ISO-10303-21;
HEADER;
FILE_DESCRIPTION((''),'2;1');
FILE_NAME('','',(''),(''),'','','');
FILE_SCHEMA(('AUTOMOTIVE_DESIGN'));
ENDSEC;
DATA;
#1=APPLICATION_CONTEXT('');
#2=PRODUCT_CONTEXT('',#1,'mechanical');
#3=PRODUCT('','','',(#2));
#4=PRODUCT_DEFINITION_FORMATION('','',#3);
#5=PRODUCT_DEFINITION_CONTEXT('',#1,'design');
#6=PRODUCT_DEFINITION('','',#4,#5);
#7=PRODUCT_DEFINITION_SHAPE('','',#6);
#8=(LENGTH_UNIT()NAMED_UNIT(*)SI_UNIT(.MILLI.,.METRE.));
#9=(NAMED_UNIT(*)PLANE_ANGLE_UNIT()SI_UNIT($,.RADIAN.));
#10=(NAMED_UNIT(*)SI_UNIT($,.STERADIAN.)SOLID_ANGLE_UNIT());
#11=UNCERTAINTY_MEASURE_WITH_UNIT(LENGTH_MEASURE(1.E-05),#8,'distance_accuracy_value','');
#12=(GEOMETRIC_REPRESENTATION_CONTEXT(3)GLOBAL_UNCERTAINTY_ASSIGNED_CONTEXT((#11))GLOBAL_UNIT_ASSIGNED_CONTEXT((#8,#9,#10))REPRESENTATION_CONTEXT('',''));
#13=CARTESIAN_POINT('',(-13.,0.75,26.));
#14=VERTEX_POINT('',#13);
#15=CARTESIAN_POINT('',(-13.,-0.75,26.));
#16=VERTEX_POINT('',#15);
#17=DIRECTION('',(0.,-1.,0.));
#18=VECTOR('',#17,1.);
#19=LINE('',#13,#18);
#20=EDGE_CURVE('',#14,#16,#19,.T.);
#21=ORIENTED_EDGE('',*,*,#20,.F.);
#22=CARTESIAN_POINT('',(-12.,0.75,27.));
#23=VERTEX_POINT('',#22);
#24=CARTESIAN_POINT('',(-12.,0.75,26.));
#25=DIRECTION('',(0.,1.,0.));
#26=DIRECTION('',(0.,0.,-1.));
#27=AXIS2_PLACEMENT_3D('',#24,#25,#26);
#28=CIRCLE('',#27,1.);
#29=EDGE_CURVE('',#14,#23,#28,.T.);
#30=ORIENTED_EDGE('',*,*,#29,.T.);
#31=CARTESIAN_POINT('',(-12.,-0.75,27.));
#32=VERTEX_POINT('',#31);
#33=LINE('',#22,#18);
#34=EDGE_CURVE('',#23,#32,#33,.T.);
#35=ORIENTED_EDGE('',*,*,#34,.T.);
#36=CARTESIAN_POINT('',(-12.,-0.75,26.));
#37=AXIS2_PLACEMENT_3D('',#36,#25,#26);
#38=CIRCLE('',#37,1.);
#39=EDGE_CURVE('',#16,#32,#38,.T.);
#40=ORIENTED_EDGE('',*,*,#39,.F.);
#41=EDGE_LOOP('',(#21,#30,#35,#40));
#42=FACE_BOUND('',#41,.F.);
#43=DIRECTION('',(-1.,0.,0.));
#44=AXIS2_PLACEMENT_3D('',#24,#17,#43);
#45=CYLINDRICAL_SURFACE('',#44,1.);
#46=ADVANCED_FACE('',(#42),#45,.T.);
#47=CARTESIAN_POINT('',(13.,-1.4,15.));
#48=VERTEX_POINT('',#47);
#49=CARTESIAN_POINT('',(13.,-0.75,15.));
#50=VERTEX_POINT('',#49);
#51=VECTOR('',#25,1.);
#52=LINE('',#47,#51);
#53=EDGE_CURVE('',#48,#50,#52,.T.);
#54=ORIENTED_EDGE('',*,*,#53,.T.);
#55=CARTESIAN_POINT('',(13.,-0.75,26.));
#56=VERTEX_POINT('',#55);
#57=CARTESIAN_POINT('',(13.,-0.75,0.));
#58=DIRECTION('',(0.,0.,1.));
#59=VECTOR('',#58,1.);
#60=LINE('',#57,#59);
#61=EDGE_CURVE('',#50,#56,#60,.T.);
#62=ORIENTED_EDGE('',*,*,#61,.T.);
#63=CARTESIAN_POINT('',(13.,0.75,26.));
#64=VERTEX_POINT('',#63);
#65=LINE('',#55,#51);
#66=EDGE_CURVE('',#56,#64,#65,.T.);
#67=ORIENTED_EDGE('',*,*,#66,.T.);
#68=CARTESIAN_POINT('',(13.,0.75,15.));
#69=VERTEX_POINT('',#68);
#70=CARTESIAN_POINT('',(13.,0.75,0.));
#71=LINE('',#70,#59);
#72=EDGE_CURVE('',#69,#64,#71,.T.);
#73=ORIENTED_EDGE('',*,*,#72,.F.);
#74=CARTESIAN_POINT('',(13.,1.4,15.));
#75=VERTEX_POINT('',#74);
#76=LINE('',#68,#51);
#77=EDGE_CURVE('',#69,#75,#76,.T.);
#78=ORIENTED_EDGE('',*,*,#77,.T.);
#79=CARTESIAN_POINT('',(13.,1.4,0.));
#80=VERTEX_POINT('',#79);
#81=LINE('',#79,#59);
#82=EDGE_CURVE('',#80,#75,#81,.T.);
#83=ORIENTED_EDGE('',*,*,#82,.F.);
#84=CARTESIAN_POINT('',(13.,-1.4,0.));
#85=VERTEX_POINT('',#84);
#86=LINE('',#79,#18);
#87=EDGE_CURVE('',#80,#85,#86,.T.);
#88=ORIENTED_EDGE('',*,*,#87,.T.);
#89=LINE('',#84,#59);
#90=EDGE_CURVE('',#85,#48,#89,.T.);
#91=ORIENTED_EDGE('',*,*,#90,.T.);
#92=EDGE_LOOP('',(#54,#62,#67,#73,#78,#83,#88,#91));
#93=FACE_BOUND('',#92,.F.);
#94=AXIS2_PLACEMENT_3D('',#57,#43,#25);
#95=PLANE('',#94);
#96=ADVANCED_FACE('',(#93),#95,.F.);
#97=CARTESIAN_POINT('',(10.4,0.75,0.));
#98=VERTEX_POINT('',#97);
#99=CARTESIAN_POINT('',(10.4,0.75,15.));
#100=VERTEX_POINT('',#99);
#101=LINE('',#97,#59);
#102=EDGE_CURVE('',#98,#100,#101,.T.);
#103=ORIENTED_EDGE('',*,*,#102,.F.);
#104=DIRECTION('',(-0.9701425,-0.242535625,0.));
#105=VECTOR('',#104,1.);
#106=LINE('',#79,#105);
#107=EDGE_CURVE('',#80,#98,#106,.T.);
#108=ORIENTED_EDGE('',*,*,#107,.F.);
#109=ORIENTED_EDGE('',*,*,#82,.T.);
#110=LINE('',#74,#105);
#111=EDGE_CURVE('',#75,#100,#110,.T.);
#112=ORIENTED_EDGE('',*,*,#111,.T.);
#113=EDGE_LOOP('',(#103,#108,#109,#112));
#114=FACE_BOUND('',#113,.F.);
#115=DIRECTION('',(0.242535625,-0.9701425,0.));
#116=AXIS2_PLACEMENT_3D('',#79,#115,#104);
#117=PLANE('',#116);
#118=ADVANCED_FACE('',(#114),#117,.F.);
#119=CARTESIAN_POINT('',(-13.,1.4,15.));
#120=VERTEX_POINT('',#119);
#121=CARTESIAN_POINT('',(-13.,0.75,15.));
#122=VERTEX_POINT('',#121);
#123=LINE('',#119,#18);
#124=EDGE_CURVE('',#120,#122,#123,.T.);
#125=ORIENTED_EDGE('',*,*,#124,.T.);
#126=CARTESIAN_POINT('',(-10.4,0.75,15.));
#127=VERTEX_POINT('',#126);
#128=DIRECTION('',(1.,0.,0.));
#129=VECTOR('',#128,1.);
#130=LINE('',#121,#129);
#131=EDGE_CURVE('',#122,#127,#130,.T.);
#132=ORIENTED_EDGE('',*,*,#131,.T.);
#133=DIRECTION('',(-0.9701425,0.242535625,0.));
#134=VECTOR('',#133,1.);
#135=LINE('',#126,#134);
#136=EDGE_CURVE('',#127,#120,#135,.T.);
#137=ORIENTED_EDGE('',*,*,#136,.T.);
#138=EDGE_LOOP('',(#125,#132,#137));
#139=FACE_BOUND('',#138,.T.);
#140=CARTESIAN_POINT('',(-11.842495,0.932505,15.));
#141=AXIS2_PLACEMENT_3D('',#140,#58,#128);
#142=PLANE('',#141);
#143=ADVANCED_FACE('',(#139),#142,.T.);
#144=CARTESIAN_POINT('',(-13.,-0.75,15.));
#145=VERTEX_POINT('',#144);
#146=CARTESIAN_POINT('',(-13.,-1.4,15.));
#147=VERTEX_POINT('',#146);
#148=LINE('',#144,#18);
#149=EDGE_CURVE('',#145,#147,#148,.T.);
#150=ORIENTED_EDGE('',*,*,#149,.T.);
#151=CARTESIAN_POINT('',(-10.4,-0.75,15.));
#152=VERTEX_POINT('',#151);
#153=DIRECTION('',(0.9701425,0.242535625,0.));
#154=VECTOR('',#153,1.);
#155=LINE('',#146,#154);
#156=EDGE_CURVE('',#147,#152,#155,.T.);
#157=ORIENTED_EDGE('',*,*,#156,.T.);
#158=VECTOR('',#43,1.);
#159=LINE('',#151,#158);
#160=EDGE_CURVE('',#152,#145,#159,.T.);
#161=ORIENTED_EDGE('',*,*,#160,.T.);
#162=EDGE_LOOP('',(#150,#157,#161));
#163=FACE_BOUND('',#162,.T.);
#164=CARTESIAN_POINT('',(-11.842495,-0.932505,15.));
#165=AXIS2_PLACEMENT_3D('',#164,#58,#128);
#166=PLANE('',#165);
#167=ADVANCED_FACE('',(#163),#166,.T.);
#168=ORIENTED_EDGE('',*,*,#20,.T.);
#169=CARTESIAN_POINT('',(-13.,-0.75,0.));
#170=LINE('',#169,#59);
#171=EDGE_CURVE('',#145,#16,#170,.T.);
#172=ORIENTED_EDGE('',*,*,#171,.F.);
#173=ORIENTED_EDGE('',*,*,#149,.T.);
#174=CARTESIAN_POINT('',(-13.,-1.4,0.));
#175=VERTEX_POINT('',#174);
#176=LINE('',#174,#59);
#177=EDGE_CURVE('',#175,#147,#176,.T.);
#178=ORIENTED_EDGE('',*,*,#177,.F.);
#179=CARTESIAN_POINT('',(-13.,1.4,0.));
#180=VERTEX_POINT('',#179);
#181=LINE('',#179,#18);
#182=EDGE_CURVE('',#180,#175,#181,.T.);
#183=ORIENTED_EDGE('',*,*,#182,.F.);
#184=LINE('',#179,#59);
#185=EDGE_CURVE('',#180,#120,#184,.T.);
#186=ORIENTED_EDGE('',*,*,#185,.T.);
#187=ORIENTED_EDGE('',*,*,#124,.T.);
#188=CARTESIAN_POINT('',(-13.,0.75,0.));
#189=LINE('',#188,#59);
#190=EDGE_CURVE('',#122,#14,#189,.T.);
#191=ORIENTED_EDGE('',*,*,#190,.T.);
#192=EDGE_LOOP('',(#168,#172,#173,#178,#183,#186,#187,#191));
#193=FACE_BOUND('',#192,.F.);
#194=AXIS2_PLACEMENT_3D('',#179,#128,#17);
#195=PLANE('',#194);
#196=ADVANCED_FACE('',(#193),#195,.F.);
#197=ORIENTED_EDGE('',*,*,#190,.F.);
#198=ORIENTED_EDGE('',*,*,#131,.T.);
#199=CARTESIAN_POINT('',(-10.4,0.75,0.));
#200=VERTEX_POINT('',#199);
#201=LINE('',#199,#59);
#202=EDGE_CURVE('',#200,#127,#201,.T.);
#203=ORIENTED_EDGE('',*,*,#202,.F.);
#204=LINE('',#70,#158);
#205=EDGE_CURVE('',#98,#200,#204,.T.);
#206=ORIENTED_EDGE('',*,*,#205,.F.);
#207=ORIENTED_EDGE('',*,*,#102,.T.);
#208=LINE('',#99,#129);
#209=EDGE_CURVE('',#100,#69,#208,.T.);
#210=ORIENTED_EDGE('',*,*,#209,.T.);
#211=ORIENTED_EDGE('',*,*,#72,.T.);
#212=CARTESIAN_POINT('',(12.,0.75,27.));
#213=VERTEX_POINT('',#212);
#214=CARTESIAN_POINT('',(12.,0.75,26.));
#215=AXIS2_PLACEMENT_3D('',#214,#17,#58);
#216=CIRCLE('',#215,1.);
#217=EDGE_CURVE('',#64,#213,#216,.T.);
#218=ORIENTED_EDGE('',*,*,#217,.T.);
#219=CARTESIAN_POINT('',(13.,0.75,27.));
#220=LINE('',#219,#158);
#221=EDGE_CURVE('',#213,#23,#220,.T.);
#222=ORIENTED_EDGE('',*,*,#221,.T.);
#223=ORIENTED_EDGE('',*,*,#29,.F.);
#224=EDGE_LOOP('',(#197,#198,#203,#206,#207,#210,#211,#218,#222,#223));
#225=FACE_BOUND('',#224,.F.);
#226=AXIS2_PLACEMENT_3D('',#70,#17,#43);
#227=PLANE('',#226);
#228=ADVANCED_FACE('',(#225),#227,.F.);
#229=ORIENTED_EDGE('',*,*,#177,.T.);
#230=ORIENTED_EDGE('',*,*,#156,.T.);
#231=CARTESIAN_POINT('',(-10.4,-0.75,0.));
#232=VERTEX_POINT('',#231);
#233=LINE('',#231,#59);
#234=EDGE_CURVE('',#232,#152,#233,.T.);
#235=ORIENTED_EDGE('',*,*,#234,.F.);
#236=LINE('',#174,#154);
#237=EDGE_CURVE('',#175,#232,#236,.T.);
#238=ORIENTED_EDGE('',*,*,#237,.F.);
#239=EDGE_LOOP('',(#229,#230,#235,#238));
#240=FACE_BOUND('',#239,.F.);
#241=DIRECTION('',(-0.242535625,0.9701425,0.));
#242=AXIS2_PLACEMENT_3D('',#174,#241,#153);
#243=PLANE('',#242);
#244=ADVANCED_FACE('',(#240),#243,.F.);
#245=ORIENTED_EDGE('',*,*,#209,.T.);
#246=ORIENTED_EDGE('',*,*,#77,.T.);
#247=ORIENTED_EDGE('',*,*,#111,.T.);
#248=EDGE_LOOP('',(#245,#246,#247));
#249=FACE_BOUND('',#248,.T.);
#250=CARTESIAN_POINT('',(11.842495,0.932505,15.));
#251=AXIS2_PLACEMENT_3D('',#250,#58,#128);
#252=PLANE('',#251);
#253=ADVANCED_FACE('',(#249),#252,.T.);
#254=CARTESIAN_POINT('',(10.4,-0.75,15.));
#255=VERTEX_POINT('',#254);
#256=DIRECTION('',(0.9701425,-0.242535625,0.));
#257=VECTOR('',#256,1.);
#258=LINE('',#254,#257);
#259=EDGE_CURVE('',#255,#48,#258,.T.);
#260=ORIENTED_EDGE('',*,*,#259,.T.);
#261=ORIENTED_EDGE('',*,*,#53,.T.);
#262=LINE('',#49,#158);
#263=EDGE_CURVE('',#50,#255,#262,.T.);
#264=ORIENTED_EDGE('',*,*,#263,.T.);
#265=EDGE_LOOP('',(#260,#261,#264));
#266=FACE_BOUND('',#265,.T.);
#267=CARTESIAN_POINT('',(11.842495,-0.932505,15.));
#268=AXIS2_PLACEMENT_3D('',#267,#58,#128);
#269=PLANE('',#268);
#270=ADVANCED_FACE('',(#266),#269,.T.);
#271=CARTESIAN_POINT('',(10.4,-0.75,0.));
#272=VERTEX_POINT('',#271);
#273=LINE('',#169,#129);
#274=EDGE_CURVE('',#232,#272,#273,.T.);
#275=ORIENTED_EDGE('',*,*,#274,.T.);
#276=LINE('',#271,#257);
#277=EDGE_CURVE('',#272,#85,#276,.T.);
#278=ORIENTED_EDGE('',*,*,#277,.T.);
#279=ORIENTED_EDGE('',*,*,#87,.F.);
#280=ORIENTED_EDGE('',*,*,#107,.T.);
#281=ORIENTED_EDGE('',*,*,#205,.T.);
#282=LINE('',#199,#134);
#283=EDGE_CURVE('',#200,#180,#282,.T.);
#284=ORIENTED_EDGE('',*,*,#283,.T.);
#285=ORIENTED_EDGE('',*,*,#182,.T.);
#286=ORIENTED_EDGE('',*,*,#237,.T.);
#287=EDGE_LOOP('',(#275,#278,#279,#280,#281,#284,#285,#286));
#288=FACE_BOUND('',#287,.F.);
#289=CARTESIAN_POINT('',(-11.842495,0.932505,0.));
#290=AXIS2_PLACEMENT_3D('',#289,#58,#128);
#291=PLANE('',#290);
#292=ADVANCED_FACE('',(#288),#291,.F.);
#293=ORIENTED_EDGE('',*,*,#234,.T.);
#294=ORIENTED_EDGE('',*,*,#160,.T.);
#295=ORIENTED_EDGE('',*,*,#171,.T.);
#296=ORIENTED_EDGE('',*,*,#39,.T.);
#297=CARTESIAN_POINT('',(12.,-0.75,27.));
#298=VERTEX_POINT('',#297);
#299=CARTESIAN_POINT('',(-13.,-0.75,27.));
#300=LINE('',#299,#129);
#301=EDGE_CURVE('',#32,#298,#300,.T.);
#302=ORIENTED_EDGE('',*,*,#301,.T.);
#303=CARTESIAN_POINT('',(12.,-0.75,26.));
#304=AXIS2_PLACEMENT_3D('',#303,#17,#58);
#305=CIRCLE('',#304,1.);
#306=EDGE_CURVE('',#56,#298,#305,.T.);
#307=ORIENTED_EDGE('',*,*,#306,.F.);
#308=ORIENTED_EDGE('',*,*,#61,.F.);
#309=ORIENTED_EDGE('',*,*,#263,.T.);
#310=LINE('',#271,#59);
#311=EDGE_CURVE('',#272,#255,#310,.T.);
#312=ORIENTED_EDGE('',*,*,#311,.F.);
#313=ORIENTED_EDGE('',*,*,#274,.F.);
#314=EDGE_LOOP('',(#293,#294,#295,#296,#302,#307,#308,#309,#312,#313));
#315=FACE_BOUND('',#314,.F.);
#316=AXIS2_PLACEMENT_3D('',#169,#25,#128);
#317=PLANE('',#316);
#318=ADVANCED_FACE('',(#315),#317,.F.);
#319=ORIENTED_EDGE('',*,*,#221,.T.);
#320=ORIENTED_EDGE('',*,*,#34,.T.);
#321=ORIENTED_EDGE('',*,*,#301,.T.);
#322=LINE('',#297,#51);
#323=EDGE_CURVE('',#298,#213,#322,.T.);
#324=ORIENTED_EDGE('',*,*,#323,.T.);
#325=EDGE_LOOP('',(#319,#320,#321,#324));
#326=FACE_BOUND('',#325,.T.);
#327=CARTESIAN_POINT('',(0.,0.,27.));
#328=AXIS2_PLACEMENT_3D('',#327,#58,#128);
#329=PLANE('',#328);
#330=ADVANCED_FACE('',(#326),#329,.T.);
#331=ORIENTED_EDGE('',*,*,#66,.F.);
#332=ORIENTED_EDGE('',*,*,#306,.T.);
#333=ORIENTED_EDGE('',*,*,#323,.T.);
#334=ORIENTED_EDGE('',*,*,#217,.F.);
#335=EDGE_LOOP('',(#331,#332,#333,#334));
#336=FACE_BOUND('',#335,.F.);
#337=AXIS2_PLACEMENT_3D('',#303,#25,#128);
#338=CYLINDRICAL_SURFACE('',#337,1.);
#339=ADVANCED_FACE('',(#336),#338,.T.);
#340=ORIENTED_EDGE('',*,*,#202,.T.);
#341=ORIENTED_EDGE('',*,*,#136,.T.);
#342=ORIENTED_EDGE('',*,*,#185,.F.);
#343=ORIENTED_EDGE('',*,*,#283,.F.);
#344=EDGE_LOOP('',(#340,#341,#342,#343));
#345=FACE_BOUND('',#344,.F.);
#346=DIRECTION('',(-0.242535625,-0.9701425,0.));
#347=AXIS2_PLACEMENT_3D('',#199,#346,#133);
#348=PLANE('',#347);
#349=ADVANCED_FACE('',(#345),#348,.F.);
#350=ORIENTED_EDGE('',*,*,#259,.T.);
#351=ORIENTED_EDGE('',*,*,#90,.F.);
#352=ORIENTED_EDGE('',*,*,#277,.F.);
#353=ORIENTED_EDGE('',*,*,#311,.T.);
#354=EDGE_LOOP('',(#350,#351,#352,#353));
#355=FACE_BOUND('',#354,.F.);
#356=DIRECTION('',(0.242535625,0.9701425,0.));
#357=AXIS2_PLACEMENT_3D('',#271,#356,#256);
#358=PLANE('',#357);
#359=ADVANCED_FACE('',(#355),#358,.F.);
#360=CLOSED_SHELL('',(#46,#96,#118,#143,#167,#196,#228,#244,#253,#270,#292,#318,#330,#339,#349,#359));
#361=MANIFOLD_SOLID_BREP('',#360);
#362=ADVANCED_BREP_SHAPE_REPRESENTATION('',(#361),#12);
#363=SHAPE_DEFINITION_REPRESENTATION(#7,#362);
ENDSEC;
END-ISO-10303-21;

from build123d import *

# Parameters (mm, degrees)
F1_DEPTH = 27
F2_DEPTH = 15
F3_R     = 1


with BuildPart() as f1:
    # F0 (on Top) → F1 (new body)
    with BuildSketch(Plane.XY):
        Polygon((-10.4, 0.75), (-13, 0.75), (-13, -0.75), (-10.4, -0.75), (10.4, -0.75), (13, -0.75), (13, 0.75), (10.4, 0.75), align=None)
    extrude(amount=F1_DEPTH)

    # F0 (on Top) → F2 (join)
    with BuildSketch(Plane.XY):
        Polygon((-13, 1.4), (-13, 0.75), (-10.4, 0.75), align=None)
        Polygon((-10.4, -0.75), (-13, -0.75), (-13, -1.4), align=None)
        Polygon((13, 1.4), (10.4, 0.75), (13, 0.75), align=None)
        Polygon((13, -0.75), (10.4, -0.75), (13, -1.4), align=None)
    extrude(amount=F2_DEPTH)

    # F3
    f3_edges = [f1.edges().sort_by_distance(p)[0] for p in [
        (-13, 0, 27),
        (13, 0, 27),
    ]]
    fillet(f3_edges, radius=F3_R)


solid = f1.part
